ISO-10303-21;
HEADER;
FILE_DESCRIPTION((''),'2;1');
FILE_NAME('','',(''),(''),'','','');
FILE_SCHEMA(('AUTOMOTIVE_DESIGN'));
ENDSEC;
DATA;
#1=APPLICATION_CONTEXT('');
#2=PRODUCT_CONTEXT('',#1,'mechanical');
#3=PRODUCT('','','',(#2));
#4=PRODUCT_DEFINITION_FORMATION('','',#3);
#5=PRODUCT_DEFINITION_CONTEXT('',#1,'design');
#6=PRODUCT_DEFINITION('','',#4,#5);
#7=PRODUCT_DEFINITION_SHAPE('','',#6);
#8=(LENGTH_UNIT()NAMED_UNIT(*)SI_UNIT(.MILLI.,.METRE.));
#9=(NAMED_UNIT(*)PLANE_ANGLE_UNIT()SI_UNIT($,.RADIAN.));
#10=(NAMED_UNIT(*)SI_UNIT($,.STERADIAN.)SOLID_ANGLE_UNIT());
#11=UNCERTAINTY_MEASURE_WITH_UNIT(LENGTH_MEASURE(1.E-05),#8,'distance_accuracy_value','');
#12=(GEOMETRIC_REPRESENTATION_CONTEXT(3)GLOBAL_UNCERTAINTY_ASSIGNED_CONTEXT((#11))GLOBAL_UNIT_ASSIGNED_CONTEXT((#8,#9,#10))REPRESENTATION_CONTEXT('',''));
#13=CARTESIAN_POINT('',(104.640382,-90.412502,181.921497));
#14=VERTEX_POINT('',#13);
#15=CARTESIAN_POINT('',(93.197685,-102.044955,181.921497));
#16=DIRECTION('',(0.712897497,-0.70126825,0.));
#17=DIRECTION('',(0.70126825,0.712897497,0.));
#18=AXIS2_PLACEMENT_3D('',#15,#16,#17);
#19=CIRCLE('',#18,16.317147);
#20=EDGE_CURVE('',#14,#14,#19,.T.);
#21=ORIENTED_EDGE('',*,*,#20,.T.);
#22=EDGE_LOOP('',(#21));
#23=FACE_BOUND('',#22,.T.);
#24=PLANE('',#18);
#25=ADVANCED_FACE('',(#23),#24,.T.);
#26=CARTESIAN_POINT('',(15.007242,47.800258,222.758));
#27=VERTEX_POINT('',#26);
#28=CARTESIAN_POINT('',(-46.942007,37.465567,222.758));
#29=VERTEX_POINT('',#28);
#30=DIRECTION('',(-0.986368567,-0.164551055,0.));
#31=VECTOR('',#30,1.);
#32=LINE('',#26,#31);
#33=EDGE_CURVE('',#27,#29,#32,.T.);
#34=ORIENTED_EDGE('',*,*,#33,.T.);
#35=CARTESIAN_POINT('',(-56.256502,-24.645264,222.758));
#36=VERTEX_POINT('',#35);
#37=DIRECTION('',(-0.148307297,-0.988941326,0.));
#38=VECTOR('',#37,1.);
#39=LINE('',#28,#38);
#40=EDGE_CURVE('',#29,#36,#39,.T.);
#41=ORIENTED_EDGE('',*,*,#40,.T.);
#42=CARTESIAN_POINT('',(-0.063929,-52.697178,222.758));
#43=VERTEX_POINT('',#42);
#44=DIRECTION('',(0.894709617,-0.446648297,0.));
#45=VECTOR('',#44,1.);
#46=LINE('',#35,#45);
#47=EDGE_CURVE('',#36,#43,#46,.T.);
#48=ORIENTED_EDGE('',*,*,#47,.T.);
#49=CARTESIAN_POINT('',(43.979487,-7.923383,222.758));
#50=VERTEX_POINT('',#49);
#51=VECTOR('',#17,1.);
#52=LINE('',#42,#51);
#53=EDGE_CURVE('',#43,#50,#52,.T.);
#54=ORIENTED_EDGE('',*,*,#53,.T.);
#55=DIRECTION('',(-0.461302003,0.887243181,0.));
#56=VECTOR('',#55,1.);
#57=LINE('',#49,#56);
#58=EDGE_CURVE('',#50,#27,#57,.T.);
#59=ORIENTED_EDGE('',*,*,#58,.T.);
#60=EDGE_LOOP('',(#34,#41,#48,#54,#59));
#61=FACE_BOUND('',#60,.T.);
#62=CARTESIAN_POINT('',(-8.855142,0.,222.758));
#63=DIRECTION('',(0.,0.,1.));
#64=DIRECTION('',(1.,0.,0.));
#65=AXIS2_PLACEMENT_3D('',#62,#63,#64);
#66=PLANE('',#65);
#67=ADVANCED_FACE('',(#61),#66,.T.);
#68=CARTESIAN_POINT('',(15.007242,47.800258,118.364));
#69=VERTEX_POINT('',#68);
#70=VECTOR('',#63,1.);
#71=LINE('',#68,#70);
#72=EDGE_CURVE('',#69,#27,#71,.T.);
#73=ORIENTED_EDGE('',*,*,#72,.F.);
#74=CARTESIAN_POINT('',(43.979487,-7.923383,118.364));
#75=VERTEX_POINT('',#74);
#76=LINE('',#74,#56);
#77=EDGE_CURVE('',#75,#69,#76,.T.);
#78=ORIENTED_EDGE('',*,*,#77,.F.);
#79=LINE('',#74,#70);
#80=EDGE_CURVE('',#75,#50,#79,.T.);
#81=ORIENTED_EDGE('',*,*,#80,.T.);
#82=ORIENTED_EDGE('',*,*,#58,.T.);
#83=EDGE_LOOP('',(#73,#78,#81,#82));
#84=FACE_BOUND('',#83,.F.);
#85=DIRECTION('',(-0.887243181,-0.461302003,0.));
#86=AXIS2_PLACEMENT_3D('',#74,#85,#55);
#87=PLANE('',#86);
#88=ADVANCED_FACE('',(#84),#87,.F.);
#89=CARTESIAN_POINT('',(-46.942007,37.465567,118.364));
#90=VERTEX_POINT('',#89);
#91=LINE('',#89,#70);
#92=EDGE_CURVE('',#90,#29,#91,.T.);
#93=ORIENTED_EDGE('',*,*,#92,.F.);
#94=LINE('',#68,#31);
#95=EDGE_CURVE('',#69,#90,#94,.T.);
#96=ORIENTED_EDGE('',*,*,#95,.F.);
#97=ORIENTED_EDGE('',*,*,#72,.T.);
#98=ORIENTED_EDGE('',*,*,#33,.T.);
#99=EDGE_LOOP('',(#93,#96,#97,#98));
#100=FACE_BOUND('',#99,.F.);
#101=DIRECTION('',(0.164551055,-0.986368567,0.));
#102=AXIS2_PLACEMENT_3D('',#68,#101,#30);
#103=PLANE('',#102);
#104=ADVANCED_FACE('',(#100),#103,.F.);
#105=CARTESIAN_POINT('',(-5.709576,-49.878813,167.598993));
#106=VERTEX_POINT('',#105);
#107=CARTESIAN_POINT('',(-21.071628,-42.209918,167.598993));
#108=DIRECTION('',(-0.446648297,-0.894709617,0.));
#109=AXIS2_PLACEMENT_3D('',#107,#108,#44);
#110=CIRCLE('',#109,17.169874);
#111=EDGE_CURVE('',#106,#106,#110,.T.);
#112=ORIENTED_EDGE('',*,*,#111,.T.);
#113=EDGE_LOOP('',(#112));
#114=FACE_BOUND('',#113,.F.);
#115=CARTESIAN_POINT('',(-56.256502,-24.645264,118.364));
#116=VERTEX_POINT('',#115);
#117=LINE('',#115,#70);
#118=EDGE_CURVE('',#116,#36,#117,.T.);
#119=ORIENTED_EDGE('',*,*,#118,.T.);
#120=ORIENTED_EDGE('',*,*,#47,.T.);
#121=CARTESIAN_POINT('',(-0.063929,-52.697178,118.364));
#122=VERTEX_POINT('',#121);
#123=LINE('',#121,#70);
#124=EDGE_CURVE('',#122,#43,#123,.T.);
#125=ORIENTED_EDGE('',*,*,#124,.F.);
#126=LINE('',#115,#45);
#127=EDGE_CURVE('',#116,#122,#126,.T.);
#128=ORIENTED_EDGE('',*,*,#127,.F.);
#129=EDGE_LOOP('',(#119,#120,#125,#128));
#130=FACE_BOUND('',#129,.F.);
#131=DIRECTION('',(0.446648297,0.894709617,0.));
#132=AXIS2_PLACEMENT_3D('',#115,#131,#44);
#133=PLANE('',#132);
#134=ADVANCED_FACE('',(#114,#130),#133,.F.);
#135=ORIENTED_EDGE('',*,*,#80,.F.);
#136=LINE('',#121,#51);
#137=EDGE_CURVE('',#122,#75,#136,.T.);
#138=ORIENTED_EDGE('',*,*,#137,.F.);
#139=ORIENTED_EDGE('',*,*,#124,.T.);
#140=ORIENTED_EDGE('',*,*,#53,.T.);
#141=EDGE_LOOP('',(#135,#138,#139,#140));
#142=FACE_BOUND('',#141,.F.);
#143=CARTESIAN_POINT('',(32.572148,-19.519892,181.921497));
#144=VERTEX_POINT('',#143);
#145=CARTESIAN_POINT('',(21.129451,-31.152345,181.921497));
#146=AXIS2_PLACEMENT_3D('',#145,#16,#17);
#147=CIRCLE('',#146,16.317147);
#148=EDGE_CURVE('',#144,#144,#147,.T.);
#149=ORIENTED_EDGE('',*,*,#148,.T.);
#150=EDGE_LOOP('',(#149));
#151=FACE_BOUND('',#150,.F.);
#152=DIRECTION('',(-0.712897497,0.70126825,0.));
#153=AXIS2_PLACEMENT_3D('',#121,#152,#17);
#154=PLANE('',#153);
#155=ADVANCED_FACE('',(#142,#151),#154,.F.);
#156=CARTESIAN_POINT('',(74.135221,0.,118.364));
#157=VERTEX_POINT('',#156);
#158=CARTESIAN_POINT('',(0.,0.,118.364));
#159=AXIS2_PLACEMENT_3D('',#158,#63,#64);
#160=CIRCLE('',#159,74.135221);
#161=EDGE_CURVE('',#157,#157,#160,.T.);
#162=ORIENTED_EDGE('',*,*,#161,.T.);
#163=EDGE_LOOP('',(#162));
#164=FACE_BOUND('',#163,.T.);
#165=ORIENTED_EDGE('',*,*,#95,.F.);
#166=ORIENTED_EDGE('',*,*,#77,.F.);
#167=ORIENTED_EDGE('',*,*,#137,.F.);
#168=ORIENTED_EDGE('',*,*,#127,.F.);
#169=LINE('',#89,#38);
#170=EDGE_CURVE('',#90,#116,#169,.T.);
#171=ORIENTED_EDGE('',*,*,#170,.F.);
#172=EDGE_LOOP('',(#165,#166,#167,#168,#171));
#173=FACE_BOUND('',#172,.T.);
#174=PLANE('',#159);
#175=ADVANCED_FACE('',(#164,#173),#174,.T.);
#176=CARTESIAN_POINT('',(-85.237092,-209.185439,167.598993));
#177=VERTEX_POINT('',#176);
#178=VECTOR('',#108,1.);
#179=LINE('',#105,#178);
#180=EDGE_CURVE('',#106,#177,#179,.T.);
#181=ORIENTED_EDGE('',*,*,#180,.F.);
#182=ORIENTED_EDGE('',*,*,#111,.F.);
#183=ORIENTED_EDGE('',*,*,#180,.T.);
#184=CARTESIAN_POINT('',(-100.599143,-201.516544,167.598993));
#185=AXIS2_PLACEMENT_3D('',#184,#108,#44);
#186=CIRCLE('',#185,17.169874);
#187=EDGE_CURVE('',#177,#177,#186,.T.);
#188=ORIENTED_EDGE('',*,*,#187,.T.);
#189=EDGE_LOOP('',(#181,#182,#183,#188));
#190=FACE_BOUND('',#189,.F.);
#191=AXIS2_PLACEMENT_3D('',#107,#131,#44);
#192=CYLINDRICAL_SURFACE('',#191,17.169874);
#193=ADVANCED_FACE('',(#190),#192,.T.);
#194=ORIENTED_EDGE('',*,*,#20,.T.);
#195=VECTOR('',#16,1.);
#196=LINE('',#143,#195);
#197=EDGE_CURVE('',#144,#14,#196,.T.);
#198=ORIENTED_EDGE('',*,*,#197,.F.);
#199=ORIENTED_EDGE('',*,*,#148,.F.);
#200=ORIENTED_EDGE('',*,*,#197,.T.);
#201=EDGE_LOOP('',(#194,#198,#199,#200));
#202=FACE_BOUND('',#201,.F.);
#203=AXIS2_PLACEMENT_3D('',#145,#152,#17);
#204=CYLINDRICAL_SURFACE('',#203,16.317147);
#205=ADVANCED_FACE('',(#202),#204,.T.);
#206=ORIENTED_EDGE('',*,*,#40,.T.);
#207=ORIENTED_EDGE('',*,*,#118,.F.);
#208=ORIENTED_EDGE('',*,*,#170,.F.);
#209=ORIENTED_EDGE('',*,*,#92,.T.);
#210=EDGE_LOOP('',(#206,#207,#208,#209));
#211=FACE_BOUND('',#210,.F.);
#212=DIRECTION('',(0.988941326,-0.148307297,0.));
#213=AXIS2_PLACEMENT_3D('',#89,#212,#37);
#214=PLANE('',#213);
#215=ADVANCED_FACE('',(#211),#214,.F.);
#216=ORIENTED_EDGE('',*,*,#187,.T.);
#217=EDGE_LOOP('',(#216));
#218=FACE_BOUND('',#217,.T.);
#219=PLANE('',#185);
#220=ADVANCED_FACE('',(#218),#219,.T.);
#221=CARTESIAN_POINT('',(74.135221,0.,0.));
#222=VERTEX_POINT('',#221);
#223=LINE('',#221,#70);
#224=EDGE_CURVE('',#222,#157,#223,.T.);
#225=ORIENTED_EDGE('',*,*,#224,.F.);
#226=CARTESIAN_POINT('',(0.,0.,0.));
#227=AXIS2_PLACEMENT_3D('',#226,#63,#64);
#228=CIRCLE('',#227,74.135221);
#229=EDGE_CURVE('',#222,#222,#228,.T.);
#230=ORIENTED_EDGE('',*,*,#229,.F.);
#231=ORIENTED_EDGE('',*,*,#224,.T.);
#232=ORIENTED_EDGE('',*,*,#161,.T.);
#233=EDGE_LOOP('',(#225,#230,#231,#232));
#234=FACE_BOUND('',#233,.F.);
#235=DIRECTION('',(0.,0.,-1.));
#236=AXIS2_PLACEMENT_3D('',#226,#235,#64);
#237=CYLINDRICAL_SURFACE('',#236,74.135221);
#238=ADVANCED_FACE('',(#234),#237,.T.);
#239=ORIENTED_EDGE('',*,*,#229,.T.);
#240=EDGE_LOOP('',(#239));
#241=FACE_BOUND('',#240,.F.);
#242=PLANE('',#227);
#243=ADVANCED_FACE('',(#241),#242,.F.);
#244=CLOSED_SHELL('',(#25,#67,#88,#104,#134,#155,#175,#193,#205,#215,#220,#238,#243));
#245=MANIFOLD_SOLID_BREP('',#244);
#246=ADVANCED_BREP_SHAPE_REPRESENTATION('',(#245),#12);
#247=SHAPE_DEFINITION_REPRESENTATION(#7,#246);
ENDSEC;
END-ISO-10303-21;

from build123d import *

# Parameters (mm, degrees)
F0_R     = 74.1352209334
F1_DEPTH = 118.364
F3_DEPTH = 104.394
F4_R     = 16.3171471284
F5_DEPTH = 101.092
F6_R     = 17.1698744157
F7_DEPTH = 178.054


with BuildPart() as f1:
    # F0 (on Top) → F1 (new body)
    with BuildSketch(Plane.XY):
        Circle(F0_R)
    extrude(amount=F1_DEPTH)

    # F2 (on face) → F3 (join)
    with BuildSketch(Plane.XY.offset(118.364)):
        Polygon((-0.0639286038, -52.6971781414), (43.9794872102, -7.9233831007), (15.0072416542, 47.8002580793), (-46.9420066437, 37.4655672647), (-56.2565021134, -24.645264102), align=None)
    extrude(amount=F3_DEPTH)

    # F4 (on face) → F5 (join)
    with BuildSketch(Plane(origin=(26.312535727, -25.8833085534, 0), x_dir=(0.7012682501, 0.7128974971, 0), z_dir=(0.7128974971, -0.7012682501, 0))):
        with Locations((-7.3910155334, 181.9214969873)):
            Circle(F4_R)
    extrude(amount=F5_DEPTH)

    # F6 (on face) → F7 (join)
    with BuildSketch(Plane(origin=(-21.0716275073, -42.2099175124, 0), x_dir=(0.894709617, -0.4466482971, 0), z_dir=(-0.4466482971, -0.894709617, 0))):
        with Locations((0, 167.5989925861)):
            Circle(F6_R)
    extrude(amount=F7_DEPTH)


solid = f1.part
